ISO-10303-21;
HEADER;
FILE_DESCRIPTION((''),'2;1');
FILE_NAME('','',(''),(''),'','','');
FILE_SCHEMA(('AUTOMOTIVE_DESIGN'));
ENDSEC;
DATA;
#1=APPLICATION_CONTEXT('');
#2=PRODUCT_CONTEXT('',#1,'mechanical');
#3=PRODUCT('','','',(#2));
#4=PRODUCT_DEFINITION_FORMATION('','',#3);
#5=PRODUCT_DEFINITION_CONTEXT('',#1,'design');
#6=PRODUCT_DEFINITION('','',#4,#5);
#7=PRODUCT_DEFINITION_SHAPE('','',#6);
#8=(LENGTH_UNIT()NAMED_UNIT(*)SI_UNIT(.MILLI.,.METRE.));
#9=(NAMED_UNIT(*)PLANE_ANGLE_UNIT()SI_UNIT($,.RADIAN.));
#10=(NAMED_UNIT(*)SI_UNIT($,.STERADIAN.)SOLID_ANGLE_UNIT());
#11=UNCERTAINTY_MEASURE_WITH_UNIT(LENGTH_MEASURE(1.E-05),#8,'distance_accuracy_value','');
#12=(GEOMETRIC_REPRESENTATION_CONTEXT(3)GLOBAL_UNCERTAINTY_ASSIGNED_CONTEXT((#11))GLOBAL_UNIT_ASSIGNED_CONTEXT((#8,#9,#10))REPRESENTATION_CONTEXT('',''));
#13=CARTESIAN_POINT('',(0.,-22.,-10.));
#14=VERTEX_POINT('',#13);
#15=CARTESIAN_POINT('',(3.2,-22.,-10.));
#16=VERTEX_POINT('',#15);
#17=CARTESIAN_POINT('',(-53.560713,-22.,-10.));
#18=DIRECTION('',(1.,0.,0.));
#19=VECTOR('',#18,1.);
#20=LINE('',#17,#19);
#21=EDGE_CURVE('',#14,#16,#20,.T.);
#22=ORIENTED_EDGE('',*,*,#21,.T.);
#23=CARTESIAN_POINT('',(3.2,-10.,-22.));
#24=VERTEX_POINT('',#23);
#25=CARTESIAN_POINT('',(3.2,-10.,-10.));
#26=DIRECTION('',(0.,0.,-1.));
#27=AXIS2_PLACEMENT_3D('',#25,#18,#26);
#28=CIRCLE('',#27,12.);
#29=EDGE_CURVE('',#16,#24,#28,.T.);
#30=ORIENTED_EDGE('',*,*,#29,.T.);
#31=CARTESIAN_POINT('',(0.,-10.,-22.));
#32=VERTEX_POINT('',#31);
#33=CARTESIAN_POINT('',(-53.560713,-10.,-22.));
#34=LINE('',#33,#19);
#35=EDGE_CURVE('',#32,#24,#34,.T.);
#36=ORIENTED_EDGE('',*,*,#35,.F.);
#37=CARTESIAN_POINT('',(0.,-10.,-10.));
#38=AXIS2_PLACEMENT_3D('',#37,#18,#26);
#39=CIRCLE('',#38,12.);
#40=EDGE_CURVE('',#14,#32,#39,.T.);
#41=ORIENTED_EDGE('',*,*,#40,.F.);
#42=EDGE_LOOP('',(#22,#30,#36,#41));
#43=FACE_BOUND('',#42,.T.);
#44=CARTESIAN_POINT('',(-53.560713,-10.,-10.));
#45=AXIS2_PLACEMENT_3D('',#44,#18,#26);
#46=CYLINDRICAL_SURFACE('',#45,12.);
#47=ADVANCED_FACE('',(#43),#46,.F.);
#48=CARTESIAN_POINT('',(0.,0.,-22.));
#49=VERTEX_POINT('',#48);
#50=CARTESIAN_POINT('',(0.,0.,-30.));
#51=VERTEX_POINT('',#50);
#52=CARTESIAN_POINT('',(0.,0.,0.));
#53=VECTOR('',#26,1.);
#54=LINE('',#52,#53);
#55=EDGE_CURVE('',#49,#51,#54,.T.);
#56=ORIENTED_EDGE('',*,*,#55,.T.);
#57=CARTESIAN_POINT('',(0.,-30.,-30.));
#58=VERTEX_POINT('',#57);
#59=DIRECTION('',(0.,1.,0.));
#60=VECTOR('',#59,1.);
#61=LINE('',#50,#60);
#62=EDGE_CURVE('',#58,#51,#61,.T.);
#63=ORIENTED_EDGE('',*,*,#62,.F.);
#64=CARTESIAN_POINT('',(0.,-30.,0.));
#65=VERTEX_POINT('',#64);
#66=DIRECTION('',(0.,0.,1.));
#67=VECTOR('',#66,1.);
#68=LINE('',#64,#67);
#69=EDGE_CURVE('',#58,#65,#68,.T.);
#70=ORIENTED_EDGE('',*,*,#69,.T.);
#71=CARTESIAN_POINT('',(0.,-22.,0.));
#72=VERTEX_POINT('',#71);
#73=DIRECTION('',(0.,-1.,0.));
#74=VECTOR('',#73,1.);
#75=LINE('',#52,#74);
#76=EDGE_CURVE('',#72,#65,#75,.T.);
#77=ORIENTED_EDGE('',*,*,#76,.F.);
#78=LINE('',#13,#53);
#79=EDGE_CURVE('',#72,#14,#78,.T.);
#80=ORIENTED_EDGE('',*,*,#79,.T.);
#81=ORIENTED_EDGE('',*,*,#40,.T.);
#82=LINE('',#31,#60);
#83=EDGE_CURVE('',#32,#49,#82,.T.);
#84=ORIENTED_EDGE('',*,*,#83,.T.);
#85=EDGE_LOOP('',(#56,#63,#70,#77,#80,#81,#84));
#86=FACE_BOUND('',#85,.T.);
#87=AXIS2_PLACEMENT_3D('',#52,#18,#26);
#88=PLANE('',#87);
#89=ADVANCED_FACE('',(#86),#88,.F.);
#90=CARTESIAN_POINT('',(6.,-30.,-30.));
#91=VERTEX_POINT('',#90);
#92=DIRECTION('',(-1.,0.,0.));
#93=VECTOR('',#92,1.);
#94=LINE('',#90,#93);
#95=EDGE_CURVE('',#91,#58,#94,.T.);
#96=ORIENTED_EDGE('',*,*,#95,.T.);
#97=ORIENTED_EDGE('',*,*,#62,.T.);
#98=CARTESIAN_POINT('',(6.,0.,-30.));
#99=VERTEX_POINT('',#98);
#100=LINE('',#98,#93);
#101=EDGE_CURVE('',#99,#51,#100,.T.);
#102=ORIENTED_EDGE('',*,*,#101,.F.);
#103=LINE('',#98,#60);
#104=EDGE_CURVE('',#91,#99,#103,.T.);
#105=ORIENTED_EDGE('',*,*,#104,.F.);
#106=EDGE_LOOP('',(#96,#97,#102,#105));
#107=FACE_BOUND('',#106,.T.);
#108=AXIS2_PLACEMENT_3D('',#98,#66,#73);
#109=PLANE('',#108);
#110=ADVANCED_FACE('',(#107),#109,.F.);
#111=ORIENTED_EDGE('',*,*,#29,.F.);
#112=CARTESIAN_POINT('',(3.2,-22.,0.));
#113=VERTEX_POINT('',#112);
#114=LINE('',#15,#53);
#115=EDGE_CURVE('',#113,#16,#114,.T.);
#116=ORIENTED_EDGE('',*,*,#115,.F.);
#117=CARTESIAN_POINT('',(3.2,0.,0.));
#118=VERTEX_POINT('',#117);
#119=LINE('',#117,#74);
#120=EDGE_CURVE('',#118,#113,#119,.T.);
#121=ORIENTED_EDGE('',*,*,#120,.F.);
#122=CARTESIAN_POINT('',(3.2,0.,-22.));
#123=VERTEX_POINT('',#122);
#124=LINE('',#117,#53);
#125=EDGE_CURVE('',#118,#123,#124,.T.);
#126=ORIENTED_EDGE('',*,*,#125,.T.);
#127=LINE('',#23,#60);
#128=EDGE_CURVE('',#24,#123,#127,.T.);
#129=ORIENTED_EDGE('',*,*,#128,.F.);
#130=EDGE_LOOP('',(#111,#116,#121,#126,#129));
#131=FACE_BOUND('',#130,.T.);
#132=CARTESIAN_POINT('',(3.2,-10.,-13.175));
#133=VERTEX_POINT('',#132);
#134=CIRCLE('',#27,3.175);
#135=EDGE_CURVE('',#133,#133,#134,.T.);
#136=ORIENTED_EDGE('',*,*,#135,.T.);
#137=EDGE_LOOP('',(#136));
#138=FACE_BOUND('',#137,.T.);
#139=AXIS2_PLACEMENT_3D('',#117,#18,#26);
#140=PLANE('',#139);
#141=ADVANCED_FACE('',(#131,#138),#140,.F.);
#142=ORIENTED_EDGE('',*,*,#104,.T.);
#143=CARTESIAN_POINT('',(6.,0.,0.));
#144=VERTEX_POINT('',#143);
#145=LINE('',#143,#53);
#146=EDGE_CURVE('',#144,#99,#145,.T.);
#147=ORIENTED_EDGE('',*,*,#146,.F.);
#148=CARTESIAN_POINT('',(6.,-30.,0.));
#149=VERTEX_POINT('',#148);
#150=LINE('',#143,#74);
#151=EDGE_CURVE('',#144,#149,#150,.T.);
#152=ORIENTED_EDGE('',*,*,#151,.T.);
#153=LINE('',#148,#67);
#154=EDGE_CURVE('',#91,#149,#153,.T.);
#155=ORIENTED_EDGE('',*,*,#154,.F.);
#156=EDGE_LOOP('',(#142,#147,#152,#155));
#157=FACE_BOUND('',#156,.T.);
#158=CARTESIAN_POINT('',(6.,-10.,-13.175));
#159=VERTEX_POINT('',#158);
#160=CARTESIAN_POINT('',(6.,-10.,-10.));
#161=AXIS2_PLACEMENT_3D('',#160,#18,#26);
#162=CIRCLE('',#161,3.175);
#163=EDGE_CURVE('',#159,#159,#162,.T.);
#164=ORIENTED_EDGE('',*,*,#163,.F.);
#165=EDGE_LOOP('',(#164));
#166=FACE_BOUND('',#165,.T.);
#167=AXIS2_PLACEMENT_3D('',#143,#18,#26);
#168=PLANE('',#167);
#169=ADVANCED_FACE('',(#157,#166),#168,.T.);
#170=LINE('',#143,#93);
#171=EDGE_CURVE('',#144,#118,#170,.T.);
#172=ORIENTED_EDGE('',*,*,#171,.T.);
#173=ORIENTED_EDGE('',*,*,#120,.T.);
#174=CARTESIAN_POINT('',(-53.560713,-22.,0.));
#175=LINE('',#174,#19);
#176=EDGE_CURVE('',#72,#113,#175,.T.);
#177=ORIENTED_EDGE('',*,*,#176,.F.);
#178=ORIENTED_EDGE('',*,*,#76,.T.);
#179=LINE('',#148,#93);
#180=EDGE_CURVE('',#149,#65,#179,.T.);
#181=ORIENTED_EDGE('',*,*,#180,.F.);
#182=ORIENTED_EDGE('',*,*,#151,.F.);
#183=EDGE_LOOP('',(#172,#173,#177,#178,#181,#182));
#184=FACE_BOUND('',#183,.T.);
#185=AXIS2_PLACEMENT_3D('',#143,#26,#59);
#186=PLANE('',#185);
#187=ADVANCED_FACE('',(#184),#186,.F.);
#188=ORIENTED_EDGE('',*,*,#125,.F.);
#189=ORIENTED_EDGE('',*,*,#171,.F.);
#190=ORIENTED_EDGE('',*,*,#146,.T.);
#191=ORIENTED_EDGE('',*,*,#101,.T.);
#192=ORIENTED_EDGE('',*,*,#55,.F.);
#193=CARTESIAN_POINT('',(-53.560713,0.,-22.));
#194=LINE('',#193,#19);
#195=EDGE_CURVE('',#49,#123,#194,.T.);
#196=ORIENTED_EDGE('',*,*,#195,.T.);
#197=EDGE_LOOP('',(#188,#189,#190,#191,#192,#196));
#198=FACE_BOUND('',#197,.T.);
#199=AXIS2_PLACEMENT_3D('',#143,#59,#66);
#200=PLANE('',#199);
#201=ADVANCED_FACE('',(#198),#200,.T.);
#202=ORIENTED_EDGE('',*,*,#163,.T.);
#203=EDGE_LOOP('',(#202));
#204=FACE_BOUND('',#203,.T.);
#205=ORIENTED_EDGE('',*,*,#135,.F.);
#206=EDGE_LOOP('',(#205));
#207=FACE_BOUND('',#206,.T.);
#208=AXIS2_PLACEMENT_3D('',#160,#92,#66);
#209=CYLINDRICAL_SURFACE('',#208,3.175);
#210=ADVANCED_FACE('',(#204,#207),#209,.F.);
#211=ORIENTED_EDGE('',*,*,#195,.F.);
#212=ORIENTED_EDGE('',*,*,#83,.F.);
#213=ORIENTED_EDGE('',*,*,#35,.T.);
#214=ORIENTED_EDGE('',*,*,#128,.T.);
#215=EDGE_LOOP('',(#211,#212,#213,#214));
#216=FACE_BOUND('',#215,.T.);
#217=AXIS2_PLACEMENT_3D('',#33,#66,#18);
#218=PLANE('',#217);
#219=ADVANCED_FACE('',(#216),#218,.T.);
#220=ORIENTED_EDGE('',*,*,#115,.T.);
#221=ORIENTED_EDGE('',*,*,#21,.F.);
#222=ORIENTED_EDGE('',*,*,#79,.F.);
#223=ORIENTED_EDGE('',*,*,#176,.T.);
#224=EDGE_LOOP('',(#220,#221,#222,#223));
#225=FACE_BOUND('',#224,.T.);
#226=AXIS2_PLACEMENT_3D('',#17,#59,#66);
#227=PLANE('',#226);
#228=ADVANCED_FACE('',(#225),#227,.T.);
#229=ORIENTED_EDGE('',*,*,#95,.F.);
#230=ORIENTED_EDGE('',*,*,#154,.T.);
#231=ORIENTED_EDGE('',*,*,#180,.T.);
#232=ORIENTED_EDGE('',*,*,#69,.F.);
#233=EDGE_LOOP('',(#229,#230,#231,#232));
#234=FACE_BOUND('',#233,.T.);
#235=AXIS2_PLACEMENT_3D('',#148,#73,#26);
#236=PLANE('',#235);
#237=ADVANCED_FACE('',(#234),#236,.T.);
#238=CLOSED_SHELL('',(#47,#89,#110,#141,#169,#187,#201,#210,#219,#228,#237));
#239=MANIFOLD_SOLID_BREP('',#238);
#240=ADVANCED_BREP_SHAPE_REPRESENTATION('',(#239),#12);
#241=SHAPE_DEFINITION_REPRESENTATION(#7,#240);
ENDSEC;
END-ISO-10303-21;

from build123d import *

# Parameters (mm, degrees)
SKETCH2_W               = 30
SKETCH2_H               = 30
SKETCH2_R               = 3.175
BOSS_EXTRUDE1_DEPTH     = 6
CUT_EXTRUDE1_DEPTH      = 43.848570571
CUT_EXTRUDE1_DEPTH_BACK = 3.2
SKETCH3_R               = 3.175


with BuildPart() as part:
    # Sketch2 → Boss-Extrude1 (new body)
    with BuildSketch(Plane(origin=(0, 0, 0), x_dir=(0, 0, -1), z_dir=(1, 0, 0))):
        with Locations((15, -15)):
            Rectangle(SKETCH2_W, SKETCH2_H)
        with Locations((10, -10)):
            Circle(SKETCH2_R, mode=Mode.SUBTRACT)
    extrude(amount=BOSS_EXTRUDE1_DEPTH)

    # Sketch3 → Cut-Extrude1 (cut, two sides: drawn at the far end of the back side and taken through both)
    with BuildSketch(Plane.ZY.offset(-CUT_EXTRUDE1_DEPTH_BACK)):
        with BuildLine():
            Line((-22, 0), (-22, -10))
            ThreePointArc((-22, -10), (-18.485281374, -18.485281374), (-10, -22))
            Line((-10, -22), (0, -22))
            Line((0, -22), (0, 0))
            Line((0, 0), (-22, 0))
        make_face()
        with Locations((-10, -10)):
            Circle(SKETCH3_R, mode=Mode.SUBTRACT)
    extrude(amount=CUT_EXTRUDE1_DEPTH + CUT_EXTRUDE1_DEPTH_BACK, mode=Mode.SUBTRACT)


solid = part.part
